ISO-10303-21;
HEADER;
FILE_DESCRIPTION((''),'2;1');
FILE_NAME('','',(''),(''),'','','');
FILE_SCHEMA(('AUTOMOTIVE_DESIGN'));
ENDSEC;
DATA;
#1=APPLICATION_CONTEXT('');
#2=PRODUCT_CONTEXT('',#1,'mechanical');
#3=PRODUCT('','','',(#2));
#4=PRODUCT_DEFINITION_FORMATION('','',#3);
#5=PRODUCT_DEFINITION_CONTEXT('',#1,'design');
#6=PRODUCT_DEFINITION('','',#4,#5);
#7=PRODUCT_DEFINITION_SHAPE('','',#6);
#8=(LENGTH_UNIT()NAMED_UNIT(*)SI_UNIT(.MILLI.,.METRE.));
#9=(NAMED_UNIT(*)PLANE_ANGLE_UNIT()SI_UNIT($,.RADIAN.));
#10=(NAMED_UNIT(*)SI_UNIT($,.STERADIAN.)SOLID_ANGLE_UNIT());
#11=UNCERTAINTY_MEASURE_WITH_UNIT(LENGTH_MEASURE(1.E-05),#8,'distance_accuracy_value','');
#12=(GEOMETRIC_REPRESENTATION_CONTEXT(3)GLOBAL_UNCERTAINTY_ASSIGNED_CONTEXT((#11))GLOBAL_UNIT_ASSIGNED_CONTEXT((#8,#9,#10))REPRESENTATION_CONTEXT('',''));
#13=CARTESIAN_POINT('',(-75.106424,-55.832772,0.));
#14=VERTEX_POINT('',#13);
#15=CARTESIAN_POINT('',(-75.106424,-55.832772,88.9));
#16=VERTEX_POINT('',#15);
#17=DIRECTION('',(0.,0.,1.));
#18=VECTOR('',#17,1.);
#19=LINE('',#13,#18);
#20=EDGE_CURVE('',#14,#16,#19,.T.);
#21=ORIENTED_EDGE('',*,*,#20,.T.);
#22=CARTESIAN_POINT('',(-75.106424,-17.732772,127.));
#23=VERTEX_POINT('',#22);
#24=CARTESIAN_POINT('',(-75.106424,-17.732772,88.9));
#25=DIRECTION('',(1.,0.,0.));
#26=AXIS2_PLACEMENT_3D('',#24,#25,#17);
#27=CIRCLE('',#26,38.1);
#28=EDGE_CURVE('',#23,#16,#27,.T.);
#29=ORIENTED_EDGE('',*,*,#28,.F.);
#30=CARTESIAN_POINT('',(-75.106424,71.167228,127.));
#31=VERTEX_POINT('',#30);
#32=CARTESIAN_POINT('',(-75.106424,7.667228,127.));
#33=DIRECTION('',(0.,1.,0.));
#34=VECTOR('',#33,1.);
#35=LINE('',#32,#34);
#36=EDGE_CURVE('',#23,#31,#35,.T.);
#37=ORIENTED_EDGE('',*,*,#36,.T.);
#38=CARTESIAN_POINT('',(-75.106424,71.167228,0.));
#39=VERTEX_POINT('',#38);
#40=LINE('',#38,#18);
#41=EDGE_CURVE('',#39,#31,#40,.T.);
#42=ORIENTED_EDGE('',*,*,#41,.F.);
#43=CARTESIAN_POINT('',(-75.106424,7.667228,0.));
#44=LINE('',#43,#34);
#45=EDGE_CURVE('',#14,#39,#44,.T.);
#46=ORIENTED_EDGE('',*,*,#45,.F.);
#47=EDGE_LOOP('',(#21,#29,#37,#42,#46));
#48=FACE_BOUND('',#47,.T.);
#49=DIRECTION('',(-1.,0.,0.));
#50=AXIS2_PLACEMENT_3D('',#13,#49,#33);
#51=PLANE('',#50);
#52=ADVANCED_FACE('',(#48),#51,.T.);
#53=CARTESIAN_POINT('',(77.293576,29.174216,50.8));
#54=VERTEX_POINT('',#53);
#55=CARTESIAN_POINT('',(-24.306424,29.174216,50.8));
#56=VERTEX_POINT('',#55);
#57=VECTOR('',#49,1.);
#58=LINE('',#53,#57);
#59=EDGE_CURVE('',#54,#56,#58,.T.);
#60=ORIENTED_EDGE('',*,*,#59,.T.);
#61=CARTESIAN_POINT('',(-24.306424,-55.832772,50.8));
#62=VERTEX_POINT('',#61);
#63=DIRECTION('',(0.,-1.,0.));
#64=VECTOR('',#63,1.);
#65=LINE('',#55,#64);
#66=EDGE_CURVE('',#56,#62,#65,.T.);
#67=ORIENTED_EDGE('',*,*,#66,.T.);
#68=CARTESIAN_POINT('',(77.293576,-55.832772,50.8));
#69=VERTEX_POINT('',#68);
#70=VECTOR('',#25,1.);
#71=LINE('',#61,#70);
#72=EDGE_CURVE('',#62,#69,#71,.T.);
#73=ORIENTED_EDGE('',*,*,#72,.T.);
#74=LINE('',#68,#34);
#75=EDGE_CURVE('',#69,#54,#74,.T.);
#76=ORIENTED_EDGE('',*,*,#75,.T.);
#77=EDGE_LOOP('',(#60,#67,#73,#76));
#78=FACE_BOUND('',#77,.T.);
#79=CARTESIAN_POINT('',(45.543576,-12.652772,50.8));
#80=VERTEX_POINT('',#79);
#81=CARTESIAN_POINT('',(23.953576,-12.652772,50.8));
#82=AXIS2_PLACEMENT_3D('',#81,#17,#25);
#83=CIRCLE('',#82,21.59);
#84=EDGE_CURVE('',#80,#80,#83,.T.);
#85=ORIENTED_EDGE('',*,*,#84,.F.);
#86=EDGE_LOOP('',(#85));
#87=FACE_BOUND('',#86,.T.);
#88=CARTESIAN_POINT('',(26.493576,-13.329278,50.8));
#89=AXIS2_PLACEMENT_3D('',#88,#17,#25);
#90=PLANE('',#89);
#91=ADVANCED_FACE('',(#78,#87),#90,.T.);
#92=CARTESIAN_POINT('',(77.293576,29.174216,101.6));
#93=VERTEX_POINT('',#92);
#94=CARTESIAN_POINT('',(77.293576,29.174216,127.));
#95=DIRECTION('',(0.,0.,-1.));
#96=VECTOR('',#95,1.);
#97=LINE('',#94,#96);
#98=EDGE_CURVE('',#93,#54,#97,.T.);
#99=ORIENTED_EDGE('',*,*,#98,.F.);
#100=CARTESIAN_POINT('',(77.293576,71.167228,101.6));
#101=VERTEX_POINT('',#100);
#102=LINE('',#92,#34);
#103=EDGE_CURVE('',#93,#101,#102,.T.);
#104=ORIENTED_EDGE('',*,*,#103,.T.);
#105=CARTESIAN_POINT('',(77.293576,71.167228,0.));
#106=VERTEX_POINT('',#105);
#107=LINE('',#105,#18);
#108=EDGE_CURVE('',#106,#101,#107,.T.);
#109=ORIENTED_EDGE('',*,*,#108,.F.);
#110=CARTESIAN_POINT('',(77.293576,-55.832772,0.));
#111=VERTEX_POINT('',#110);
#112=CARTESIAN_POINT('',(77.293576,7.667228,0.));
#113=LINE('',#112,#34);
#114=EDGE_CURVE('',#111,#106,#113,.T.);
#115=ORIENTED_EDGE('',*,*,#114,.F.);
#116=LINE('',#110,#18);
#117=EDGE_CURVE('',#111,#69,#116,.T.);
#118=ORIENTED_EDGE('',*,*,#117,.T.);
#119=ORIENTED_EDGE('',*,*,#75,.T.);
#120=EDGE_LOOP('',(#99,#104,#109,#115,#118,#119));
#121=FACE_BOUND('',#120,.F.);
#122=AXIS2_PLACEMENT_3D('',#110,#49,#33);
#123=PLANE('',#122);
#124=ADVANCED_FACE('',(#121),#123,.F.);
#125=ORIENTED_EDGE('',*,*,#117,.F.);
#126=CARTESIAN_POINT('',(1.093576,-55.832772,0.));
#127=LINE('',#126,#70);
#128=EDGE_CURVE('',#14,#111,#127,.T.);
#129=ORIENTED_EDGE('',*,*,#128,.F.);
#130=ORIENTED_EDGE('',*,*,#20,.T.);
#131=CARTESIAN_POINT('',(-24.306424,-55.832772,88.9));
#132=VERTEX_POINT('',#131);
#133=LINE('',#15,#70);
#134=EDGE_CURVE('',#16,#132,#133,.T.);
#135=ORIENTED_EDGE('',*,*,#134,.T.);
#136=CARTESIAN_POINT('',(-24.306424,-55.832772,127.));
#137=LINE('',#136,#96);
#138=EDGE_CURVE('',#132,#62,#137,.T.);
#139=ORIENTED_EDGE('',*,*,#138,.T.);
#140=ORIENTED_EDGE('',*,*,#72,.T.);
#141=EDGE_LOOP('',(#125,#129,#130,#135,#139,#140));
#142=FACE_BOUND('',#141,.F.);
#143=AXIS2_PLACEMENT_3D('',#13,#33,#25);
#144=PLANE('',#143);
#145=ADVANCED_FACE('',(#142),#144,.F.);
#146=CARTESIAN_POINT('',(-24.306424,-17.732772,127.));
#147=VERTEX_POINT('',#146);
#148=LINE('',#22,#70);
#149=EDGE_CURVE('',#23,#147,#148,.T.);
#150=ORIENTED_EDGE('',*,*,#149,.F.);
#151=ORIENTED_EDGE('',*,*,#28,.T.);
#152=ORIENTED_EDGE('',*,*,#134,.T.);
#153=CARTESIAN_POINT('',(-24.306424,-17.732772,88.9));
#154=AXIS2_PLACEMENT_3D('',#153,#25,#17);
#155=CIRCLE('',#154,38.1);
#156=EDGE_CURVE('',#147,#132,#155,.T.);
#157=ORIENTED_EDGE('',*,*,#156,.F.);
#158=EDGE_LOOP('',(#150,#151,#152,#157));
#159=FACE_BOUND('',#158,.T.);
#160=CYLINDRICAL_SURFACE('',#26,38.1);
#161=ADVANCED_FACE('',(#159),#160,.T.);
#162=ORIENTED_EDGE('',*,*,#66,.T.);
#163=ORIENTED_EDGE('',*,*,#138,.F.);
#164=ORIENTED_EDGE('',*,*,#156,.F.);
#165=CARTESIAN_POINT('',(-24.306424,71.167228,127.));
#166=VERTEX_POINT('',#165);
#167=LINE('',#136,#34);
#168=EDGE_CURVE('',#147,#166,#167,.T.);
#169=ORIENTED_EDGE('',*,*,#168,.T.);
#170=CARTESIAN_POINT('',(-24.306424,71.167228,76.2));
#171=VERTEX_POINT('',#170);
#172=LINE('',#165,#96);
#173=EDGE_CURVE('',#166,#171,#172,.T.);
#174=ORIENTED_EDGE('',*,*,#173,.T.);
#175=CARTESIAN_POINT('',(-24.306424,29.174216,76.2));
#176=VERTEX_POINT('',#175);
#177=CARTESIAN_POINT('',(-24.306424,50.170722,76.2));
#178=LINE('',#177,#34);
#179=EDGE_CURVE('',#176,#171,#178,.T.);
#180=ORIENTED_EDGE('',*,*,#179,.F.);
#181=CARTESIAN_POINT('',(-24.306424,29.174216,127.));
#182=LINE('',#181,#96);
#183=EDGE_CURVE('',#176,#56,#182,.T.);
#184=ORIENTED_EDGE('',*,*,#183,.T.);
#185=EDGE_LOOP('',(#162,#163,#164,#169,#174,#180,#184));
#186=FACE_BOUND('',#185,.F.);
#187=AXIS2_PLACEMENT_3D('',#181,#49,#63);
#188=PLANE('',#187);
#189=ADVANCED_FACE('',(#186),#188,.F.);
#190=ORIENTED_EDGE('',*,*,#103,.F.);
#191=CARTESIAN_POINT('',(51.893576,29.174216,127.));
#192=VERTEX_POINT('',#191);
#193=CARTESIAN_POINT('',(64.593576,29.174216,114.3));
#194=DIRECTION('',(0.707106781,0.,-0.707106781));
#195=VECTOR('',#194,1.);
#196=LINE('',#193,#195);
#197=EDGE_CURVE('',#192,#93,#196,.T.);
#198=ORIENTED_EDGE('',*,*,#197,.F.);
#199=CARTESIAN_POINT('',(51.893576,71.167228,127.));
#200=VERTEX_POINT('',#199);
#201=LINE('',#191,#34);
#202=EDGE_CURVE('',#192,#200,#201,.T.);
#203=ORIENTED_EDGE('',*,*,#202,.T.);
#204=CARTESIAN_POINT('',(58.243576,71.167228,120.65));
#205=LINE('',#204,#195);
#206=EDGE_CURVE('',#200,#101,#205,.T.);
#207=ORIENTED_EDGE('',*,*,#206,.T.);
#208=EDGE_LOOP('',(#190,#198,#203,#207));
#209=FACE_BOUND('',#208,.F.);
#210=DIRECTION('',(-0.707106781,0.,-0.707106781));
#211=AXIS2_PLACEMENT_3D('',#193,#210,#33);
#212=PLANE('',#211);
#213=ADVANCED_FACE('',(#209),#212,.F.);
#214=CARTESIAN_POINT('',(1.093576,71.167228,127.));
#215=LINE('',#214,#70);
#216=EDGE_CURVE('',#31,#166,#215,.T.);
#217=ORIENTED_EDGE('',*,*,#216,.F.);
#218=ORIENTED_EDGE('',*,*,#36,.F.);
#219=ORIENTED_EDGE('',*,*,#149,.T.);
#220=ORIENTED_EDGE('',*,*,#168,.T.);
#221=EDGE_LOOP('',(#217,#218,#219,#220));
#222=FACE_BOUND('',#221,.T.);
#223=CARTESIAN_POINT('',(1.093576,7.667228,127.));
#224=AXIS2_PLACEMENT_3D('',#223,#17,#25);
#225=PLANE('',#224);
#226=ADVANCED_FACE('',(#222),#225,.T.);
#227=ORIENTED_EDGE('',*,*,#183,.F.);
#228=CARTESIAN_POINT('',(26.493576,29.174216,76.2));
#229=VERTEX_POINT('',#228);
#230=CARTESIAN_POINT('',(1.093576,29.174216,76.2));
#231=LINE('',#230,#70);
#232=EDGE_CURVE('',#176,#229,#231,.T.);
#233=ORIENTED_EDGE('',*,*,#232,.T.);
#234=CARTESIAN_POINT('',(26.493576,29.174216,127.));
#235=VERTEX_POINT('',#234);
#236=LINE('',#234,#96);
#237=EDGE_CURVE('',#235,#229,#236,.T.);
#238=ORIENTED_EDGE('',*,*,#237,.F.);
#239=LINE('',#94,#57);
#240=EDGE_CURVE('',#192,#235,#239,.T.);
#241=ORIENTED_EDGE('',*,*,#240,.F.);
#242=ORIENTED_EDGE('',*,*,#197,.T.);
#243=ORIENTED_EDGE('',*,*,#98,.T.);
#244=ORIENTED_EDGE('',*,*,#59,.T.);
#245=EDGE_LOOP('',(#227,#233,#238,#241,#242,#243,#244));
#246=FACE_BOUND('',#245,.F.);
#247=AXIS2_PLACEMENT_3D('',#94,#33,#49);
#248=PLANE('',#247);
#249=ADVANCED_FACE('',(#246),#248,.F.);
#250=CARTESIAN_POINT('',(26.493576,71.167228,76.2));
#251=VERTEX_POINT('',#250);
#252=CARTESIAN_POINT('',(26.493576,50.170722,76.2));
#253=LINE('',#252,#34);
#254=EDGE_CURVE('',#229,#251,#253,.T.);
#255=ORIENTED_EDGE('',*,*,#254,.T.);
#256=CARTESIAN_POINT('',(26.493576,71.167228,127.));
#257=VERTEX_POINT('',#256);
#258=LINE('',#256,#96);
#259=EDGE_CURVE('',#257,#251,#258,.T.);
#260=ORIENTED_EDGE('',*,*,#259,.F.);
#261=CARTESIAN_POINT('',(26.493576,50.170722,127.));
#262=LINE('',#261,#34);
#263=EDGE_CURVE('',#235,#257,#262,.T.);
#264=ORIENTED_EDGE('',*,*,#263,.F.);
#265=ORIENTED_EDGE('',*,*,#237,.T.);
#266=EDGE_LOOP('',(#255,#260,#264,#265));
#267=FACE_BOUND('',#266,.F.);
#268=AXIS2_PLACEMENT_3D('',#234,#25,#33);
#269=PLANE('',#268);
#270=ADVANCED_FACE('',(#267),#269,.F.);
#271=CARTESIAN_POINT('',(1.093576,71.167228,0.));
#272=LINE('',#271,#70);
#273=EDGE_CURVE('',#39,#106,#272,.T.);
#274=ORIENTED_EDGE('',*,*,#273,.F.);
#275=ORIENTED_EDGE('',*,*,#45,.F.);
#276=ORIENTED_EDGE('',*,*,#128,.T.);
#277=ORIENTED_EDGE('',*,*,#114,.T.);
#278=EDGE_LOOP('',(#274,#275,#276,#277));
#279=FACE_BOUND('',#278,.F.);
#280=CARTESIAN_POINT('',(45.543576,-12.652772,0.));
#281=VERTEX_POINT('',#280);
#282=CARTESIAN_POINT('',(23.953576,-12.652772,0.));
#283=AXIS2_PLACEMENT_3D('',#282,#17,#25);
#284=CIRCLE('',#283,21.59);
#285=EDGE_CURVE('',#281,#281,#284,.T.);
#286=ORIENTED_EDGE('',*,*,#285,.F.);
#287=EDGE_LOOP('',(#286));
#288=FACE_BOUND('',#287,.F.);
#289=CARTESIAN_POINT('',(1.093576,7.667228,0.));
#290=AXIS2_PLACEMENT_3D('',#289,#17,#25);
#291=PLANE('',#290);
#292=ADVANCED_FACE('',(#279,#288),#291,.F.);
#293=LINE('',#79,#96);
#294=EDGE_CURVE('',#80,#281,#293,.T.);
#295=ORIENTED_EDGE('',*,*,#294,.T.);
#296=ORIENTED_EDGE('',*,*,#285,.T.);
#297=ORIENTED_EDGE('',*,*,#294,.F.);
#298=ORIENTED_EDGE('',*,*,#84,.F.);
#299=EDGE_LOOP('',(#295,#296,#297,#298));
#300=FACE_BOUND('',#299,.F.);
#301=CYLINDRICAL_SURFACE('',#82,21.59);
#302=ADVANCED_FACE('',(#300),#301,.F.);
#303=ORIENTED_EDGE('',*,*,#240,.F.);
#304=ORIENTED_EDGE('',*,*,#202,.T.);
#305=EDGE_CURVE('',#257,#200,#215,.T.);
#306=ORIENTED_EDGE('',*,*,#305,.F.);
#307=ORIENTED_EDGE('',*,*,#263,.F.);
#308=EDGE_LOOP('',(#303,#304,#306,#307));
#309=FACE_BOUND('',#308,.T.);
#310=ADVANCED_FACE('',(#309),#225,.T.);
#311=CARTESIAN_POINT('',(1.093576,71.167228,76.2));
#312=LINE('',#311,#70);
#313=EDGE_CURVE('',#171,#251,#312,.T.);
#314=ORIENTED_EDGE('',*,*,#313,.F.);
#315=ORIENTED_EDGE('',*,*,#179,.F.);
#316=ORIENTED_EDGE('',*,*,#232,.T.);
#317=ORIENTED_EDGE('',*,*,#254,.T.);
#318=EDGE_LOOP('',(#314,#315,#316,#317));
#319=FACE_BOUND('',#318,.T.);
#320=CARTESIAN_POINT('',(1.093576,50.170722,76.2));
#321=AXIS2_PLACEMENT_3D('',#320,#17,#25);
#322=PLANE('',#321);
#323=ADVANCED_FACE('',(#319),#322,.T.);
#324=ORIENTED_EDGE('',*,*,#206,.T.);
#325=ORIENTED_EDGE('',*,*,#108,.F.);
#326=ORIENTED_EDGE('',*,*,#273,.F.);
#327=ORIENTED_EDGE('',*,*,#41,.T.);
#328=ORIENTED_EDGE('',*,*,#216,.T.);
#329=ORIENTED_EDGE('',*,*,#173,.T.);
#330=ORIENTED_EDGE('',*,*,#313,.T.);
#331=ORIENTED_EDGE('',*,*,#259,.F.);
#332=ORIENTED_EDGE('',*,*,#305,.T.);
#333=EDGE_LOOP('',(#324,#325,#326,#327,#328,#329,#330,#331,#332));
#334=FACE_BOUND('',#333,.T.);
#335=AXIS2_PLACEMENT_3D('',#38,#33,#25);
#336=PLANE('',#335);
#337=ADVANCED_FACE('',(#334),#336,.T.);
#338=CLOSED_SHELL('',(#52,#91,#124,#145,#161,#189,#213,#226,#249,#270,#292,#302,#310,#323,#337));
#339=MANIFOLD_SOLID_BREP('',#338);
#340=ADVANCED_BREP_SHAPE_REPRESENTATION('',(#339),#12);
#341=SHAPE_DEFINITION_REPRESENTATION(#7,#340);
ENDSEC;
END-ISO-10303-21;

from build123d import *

# Parameters (mm, degrees)
F0_W     = 152.4
F0_H     = 127
F1_DEPTH = 127
F3_DEPTH = 76.2
F4_W     = 50.8
F4_H     = 41.993012
F5_DEPTH = 50.8
F7_SIZE  = 25.4
F6_R     = 21.59
F8_DEPTH = 50.801
F9_R     = 38.1


with BuildPart() as f1:
    # F0 (on Top) → F1 (new body)
    with BuildSketch(Plane.XY):
        with Locations((1.093576, 7.667228)):
            Rectangle(F0_W, F0_H)
    extrude(amount=F1_DEPTH)

    # F2 (on face) → F3 (cut)
    with BuildSketch(Plane.XY.offset(127)):
        Polygon((26.493576, 29.174216), (-24.306424, 29.174216), (-24.306424, -55.832772), (77.293576, -55.832772), (77.293576, 29.174216), align=None)
    extrude(amount=-F3_DEPTH, mode=Mode.SUBTRACT)

    # F4 (on face) → F5 (cut)
    with BuildSketch(Plane.XY.offset(127)):
        with Locations((1.093576, 50.170722)):
            Rectangle(F4_W, F4_H)
    extrude(amount=-F5_DEPTH, mode=Mode.SUBTRACT)

    # F7
    f7_edges = [f1.edges().sort_by_distance(p)[0] for p in [
        (77.293576, 50.170722, 127),
    ]]
    chamfer(f7_edges, length=F7_SIZE)

    # F6 (on face) → F8 (cut, through all)
    with BuildSketch(Plane.XY.offset(50.8)):
        with Locations((23.953576, -12.652772)):
            Circle(F6_R)
    extrude(amount=-F8_DEPTH, mode=Mode.SUBTRACT)

    # F9
    f9_edges = [f1.edges().sort_by_distance(p)[0] for p in [
        (-49.706424, -55.832772, 127),
    ]]
    fillet(f9_edges, radius=F9_R)


solid = f1.part
